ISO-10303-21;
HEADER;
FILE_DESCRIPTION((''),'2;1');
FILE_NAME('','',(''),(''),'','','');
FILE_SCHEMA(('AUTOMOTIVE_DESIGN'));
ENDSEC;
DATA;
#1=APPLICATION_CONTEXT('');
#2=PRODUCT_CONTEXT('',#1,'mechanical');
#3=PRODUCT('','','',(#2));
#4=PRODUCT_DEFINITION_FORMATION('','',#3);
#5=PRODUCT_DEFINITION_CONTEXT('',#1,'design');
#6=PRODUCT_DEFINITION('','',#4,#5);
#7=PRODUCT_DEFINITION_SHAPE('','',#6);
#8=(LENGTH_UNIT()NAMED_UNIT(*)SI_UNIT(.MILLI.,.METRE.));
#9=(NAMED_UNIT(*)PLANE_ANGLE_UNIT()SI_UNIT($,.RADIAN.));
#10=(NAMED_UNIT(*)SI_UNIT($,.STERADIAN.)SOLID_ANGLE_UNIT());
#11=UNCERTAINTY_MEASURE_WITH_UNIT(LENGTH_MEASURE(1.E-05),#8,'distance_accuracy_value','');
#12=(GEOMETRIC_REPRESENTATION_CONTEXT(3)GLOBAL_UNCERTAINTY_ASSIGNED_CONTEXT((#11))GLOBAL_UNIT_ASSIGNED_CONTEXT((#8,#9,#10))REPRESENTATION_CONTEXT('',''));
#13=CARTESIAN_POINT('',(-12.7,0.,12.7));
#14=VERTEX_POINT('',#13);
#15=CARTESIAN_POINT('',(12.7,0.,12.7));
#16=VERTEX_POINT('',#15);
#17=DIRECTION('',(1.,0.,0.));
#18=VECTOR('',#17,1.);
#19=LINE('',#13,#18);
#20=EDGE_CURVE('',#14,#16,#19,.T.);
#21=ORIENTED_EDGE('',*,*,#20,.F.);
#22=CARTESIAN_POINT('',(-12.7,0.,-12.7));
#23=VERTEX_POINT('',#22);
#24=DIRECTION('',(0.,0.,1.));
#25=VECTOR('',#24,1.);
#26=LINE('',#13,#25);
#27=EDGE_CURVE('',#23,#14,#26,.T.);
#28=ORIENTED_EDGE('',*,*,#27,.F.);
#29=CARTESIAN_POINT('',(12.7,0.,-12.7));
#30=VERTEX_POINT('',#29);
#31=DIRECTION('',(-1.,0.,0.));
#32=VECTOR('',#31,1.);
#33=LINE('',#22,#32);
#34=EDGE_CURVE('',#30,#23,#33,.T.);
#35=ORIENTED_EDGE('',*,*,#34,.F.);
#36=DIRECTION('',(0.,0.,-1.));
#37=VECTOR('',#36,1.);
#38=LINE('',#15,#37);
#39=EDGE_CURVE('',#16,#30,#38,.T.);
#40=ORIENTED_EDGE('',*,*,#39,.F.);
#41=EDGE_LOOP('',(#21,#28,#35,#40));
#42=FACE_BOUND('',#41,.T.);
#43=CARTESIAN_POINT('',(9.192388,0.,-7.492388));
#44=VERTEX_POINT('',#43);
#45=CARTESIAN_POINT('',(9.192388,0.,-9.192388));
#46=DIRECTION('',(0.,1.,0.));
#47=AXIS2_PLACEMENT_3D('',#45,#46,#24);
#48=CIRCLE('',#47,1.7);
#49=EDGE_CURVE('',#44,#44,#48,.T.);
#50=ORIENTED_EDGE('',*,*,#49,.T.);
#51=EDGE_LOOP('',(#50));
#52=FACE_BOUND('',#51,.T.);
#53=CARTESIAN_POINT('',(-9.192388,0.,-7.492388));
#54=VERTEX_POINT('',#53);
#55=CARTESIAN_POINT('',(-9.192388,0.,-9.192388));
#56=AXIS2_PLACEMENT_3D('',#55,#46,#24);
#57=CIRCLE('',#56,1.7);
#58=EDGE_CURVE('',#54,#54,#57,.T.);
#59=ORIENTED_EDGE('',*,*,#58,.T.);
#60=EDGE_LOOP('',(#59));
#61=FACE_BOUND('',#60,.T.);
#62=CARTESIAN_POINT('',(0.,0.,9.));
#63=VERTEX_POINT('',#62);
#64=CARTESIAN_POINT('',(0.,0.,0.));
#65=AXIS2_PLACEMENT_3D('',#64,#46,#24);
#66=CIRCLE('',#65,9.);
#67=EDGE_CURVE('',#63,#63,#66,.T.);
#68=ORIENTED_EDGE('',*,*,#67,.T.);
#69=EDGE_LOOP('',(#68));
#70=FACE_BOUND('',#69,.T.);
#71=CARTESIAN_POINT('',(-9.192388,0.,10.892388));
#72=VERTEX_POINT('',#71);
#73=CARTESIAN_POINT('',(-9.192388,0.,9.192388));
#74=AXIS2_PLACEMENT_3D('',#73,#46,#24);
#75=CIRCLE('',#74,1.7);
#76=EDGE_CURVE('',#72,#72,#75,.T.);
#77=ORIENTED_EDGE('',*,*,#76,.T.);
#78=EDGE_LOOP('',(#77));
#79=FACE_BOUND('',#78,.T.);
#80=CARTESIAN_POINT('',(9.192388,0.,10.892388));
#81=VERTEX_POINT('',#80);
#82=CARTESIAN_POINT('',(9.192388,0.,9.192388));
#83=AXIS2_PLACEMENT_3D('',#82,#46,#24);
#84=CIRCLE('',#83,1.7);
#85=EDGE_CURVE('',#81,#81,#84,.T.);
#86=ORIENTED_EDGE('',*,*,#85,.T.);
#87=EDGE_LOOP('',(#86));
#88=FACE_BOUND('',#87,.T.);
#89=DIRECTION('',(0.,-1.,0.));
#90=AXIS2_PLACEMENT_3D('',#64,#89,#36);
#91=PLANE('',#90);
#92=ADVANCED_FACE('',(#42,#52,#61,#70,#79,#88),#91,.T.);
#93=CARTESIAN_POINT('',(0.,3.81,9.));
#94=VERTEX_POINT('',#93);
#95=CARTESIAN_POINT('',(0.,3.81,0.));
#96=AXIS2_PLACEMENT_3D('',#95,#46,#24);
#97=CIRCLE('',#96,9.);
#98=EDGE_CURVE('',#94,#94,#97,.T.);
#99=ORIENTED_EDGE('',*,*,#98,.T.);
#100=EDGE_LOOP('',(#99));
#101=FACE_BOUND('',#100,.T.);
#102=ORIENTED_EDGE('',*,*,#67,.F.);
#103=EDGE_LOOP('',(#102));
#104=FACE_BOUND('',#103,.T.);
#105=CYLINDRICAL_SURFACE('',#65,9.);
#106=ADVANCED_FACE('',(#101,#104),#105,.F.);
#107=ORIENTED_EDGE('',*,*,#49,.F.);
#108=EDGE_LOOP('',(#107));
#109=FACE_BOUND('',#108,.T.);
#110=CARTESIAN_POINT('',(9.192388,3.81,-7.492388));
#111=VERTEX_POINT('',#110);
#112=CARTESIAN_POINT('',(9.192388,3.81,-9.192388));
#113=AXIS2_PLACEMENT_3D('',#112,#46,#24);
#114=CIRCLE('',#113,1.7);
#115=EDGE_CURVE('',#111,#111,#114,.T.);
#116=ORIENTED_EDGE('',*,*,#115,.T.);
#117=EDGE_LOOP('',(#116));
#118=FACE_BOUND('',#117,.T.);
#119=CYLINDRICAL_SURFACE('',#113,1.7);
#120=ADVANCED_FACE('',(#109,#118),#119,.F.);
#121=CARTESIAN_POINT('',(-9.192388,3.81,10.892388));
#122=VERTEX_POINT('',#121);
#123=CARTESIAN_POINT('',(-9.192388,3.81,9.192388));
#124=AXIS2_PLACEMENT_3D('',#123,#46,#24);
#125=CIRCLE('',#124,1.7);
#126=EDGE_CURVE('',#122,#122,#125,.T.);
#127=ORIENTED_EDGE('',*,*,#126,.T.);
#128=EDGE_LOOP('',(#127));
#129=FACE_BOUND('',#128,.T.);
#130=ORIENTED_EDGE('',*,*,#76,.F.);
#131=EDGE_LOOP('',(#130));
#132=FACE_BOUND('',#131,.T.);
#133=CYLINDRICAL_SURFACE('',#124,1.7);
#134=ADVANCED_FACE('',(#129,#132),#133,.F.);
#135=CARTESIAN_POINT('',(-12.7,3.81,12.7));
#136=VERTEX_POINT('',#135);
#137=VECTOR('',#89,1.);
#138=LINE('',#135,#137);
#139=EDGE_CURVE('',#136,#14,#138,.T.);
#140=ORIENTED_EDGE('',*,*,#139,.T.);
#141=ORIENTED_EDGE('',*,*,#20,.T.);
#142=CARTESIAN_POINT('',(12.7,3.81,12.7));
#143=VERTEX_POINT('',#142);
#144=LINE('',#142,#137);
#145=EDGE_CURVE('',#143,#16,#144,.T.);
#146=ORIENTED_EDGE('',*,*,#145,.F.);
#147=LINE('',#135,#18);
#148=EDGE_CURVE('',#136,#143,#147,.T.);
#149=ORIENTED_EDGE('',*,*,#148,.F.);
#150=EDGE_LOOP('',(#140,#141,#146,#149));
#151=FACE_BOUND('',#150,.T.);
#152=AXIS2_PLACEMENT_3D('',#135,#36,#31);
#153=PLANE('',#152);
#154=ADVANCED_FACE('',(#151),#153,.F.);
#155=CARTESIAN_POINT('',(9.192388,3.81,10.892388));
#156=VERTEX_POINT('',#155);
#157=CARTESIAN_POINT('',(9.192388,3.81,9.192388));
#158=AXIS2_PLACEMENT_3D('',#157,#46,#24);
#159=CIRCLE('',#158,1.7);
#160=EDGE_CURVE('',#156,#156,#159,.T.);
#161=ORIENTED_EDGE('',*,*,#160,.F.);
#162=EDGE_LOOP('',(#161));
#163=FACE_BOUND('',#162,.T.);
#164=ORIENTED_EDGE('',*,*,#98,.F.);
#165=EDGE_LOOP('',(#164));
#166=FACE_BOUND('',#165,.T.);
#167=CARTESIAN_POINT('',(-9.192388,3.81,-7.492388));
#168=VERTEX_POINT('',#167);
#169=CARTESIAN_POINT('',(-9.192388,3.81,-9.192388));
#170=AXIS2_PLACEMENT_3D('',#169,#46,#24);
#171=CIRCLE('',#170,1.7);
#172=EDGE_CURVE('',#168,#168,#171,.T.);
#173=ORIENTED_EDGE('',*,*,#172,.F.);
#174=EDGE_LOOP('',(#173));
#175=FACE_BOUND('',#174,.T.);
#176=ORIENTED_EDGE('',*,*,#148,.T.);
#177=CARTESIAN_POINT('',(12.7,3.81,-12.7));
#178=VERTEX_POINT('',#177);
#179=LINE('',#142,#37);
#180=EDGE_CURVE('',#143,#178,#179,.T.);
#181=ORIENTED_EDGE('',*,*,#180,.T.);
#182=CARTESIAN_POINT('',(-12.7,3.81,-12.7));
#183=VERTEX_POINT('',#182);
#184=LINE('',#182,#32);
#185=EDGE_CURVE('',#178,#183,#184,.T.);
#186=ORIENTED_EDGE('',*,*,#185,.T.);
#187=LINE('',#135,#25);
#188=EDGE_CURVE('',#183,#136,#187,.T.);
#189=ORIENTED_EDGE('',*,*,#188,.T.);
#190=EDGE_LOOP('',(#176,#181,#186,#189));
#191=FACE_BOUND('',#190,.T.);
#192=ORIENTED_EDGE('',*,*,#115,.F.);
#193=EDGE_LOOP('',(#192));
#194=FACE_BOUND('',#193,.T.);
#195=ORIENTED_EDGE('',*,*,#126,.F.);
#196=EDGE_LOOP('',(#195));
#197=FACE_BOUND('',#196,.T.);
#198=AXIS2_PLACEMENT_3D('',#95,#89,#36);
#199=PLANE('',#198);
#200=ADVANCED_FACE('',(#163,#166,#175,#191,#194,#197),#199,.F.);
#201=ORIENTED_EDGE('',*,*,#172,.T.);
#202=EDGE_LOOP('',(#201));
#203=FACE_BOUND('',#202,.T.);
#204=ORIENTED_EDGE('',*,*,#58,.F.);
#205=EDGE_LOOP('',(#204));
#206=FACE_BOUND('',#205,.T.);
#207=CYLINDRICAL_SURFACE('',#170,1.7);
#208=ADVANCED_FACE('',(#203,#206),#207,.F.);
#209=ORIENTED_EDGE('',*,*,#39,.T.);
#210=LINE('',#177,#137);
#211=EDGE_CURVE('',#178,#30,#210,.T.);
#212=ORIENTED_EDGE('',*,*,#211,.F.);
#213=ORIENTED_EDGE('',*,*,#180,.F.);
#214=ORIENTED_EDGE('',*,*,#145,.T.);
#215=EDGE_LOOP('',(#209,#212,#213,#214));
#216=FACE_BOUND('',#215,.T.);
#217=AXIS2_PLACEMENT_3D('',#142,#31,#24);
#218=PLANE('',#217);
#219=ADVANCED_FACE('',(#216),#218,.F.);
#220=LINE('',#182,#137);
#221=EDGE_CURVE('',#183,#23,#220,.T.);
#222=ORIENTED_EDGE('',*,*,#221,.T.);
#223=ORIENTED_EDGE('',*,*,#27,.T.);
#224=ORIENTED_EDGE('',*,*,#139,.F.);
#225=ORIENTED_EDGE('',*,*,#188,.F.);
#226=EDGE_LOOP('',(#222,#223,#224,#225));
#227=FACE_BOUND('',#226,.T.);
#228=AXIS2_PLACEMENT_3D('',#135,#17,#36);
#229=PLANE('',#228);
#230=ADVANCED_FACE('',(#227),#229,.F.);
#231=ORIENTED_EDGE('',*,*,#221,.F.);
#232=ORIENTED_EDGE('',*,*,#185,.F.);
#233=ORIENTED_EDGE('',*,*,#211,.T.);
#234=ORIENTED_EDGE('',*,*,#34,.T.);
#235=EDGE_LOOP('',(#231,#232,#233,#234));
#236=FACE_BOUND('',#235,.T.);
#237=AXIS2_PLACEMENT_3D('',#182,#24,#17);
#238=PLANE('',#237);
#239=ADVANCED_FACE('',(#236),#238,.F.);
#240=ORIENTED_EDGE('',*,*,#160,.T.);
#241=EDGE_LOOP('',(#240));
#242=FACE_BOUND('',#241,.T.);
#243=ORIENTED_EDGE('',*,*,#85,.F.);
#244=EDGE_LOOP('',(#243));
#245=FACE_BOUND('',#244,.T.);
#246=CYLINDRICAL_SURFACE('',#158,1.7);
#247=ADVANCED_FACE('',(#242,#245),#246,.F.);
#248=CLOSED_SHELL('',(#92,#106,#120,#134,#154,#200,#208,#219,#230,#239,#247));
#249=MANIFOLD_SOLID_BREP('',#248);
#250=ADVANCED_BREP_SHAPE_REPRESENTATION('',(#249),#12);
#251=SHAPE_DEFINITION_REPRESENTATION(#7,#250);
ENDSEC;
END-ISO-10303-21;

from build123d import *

# Parameters (mm, degrees)
SKETCH2_W            = 25.4
SKETCH2_H            = 25.4
BOSS_EXTRUDE1_DEPTH  = 3.81
SKETCH4_R            = 9
CUT_EXTRUDE1_DEPTH   = 4.81
M3_CLEARANCE_HOLE2_D = 3.4


with BuildPart() as part:
    # Sketch2 → Boss-Extrude1 (new body)
    with BuildSketch(Plane(origin=(0, 0, 0), x_dir=(1, 0, 0), z_dir=(0, 1, 0))):
        Rectangle(SKETCH2_W, SKETCH2_H)
    extrude(amount=BOSS_EXTRUDE1_DEPTH)

    # Sketch4 → Cut-Extrude1 (cut, through all)
    with BuildSketch(Plane(origin=(0, 3.81, 0), x_dir=(1, 0, 0), z_dir=(0, 1, 0))):
        Circle(SKETCH4_R)
    extrude(amount=-CUT_EXTRUDE1_DEPTH, mode=Mode.SUBTRACT)

    # M3 Clearance Hole2 (through all)
    with Locations(Plane(origin=(-9.192388155, 3.81, -9.192388155), x_dir=(0, 0, 1), z_dir=(0, 1, 0))):
        with Locations((0, 0), (18.38477631, 18.38477631), (0, 18.38477631), (18.38477631, 0)):
            Hole(M3_CLEARANCE_HOLE2_D / 2)


solid = part.part
